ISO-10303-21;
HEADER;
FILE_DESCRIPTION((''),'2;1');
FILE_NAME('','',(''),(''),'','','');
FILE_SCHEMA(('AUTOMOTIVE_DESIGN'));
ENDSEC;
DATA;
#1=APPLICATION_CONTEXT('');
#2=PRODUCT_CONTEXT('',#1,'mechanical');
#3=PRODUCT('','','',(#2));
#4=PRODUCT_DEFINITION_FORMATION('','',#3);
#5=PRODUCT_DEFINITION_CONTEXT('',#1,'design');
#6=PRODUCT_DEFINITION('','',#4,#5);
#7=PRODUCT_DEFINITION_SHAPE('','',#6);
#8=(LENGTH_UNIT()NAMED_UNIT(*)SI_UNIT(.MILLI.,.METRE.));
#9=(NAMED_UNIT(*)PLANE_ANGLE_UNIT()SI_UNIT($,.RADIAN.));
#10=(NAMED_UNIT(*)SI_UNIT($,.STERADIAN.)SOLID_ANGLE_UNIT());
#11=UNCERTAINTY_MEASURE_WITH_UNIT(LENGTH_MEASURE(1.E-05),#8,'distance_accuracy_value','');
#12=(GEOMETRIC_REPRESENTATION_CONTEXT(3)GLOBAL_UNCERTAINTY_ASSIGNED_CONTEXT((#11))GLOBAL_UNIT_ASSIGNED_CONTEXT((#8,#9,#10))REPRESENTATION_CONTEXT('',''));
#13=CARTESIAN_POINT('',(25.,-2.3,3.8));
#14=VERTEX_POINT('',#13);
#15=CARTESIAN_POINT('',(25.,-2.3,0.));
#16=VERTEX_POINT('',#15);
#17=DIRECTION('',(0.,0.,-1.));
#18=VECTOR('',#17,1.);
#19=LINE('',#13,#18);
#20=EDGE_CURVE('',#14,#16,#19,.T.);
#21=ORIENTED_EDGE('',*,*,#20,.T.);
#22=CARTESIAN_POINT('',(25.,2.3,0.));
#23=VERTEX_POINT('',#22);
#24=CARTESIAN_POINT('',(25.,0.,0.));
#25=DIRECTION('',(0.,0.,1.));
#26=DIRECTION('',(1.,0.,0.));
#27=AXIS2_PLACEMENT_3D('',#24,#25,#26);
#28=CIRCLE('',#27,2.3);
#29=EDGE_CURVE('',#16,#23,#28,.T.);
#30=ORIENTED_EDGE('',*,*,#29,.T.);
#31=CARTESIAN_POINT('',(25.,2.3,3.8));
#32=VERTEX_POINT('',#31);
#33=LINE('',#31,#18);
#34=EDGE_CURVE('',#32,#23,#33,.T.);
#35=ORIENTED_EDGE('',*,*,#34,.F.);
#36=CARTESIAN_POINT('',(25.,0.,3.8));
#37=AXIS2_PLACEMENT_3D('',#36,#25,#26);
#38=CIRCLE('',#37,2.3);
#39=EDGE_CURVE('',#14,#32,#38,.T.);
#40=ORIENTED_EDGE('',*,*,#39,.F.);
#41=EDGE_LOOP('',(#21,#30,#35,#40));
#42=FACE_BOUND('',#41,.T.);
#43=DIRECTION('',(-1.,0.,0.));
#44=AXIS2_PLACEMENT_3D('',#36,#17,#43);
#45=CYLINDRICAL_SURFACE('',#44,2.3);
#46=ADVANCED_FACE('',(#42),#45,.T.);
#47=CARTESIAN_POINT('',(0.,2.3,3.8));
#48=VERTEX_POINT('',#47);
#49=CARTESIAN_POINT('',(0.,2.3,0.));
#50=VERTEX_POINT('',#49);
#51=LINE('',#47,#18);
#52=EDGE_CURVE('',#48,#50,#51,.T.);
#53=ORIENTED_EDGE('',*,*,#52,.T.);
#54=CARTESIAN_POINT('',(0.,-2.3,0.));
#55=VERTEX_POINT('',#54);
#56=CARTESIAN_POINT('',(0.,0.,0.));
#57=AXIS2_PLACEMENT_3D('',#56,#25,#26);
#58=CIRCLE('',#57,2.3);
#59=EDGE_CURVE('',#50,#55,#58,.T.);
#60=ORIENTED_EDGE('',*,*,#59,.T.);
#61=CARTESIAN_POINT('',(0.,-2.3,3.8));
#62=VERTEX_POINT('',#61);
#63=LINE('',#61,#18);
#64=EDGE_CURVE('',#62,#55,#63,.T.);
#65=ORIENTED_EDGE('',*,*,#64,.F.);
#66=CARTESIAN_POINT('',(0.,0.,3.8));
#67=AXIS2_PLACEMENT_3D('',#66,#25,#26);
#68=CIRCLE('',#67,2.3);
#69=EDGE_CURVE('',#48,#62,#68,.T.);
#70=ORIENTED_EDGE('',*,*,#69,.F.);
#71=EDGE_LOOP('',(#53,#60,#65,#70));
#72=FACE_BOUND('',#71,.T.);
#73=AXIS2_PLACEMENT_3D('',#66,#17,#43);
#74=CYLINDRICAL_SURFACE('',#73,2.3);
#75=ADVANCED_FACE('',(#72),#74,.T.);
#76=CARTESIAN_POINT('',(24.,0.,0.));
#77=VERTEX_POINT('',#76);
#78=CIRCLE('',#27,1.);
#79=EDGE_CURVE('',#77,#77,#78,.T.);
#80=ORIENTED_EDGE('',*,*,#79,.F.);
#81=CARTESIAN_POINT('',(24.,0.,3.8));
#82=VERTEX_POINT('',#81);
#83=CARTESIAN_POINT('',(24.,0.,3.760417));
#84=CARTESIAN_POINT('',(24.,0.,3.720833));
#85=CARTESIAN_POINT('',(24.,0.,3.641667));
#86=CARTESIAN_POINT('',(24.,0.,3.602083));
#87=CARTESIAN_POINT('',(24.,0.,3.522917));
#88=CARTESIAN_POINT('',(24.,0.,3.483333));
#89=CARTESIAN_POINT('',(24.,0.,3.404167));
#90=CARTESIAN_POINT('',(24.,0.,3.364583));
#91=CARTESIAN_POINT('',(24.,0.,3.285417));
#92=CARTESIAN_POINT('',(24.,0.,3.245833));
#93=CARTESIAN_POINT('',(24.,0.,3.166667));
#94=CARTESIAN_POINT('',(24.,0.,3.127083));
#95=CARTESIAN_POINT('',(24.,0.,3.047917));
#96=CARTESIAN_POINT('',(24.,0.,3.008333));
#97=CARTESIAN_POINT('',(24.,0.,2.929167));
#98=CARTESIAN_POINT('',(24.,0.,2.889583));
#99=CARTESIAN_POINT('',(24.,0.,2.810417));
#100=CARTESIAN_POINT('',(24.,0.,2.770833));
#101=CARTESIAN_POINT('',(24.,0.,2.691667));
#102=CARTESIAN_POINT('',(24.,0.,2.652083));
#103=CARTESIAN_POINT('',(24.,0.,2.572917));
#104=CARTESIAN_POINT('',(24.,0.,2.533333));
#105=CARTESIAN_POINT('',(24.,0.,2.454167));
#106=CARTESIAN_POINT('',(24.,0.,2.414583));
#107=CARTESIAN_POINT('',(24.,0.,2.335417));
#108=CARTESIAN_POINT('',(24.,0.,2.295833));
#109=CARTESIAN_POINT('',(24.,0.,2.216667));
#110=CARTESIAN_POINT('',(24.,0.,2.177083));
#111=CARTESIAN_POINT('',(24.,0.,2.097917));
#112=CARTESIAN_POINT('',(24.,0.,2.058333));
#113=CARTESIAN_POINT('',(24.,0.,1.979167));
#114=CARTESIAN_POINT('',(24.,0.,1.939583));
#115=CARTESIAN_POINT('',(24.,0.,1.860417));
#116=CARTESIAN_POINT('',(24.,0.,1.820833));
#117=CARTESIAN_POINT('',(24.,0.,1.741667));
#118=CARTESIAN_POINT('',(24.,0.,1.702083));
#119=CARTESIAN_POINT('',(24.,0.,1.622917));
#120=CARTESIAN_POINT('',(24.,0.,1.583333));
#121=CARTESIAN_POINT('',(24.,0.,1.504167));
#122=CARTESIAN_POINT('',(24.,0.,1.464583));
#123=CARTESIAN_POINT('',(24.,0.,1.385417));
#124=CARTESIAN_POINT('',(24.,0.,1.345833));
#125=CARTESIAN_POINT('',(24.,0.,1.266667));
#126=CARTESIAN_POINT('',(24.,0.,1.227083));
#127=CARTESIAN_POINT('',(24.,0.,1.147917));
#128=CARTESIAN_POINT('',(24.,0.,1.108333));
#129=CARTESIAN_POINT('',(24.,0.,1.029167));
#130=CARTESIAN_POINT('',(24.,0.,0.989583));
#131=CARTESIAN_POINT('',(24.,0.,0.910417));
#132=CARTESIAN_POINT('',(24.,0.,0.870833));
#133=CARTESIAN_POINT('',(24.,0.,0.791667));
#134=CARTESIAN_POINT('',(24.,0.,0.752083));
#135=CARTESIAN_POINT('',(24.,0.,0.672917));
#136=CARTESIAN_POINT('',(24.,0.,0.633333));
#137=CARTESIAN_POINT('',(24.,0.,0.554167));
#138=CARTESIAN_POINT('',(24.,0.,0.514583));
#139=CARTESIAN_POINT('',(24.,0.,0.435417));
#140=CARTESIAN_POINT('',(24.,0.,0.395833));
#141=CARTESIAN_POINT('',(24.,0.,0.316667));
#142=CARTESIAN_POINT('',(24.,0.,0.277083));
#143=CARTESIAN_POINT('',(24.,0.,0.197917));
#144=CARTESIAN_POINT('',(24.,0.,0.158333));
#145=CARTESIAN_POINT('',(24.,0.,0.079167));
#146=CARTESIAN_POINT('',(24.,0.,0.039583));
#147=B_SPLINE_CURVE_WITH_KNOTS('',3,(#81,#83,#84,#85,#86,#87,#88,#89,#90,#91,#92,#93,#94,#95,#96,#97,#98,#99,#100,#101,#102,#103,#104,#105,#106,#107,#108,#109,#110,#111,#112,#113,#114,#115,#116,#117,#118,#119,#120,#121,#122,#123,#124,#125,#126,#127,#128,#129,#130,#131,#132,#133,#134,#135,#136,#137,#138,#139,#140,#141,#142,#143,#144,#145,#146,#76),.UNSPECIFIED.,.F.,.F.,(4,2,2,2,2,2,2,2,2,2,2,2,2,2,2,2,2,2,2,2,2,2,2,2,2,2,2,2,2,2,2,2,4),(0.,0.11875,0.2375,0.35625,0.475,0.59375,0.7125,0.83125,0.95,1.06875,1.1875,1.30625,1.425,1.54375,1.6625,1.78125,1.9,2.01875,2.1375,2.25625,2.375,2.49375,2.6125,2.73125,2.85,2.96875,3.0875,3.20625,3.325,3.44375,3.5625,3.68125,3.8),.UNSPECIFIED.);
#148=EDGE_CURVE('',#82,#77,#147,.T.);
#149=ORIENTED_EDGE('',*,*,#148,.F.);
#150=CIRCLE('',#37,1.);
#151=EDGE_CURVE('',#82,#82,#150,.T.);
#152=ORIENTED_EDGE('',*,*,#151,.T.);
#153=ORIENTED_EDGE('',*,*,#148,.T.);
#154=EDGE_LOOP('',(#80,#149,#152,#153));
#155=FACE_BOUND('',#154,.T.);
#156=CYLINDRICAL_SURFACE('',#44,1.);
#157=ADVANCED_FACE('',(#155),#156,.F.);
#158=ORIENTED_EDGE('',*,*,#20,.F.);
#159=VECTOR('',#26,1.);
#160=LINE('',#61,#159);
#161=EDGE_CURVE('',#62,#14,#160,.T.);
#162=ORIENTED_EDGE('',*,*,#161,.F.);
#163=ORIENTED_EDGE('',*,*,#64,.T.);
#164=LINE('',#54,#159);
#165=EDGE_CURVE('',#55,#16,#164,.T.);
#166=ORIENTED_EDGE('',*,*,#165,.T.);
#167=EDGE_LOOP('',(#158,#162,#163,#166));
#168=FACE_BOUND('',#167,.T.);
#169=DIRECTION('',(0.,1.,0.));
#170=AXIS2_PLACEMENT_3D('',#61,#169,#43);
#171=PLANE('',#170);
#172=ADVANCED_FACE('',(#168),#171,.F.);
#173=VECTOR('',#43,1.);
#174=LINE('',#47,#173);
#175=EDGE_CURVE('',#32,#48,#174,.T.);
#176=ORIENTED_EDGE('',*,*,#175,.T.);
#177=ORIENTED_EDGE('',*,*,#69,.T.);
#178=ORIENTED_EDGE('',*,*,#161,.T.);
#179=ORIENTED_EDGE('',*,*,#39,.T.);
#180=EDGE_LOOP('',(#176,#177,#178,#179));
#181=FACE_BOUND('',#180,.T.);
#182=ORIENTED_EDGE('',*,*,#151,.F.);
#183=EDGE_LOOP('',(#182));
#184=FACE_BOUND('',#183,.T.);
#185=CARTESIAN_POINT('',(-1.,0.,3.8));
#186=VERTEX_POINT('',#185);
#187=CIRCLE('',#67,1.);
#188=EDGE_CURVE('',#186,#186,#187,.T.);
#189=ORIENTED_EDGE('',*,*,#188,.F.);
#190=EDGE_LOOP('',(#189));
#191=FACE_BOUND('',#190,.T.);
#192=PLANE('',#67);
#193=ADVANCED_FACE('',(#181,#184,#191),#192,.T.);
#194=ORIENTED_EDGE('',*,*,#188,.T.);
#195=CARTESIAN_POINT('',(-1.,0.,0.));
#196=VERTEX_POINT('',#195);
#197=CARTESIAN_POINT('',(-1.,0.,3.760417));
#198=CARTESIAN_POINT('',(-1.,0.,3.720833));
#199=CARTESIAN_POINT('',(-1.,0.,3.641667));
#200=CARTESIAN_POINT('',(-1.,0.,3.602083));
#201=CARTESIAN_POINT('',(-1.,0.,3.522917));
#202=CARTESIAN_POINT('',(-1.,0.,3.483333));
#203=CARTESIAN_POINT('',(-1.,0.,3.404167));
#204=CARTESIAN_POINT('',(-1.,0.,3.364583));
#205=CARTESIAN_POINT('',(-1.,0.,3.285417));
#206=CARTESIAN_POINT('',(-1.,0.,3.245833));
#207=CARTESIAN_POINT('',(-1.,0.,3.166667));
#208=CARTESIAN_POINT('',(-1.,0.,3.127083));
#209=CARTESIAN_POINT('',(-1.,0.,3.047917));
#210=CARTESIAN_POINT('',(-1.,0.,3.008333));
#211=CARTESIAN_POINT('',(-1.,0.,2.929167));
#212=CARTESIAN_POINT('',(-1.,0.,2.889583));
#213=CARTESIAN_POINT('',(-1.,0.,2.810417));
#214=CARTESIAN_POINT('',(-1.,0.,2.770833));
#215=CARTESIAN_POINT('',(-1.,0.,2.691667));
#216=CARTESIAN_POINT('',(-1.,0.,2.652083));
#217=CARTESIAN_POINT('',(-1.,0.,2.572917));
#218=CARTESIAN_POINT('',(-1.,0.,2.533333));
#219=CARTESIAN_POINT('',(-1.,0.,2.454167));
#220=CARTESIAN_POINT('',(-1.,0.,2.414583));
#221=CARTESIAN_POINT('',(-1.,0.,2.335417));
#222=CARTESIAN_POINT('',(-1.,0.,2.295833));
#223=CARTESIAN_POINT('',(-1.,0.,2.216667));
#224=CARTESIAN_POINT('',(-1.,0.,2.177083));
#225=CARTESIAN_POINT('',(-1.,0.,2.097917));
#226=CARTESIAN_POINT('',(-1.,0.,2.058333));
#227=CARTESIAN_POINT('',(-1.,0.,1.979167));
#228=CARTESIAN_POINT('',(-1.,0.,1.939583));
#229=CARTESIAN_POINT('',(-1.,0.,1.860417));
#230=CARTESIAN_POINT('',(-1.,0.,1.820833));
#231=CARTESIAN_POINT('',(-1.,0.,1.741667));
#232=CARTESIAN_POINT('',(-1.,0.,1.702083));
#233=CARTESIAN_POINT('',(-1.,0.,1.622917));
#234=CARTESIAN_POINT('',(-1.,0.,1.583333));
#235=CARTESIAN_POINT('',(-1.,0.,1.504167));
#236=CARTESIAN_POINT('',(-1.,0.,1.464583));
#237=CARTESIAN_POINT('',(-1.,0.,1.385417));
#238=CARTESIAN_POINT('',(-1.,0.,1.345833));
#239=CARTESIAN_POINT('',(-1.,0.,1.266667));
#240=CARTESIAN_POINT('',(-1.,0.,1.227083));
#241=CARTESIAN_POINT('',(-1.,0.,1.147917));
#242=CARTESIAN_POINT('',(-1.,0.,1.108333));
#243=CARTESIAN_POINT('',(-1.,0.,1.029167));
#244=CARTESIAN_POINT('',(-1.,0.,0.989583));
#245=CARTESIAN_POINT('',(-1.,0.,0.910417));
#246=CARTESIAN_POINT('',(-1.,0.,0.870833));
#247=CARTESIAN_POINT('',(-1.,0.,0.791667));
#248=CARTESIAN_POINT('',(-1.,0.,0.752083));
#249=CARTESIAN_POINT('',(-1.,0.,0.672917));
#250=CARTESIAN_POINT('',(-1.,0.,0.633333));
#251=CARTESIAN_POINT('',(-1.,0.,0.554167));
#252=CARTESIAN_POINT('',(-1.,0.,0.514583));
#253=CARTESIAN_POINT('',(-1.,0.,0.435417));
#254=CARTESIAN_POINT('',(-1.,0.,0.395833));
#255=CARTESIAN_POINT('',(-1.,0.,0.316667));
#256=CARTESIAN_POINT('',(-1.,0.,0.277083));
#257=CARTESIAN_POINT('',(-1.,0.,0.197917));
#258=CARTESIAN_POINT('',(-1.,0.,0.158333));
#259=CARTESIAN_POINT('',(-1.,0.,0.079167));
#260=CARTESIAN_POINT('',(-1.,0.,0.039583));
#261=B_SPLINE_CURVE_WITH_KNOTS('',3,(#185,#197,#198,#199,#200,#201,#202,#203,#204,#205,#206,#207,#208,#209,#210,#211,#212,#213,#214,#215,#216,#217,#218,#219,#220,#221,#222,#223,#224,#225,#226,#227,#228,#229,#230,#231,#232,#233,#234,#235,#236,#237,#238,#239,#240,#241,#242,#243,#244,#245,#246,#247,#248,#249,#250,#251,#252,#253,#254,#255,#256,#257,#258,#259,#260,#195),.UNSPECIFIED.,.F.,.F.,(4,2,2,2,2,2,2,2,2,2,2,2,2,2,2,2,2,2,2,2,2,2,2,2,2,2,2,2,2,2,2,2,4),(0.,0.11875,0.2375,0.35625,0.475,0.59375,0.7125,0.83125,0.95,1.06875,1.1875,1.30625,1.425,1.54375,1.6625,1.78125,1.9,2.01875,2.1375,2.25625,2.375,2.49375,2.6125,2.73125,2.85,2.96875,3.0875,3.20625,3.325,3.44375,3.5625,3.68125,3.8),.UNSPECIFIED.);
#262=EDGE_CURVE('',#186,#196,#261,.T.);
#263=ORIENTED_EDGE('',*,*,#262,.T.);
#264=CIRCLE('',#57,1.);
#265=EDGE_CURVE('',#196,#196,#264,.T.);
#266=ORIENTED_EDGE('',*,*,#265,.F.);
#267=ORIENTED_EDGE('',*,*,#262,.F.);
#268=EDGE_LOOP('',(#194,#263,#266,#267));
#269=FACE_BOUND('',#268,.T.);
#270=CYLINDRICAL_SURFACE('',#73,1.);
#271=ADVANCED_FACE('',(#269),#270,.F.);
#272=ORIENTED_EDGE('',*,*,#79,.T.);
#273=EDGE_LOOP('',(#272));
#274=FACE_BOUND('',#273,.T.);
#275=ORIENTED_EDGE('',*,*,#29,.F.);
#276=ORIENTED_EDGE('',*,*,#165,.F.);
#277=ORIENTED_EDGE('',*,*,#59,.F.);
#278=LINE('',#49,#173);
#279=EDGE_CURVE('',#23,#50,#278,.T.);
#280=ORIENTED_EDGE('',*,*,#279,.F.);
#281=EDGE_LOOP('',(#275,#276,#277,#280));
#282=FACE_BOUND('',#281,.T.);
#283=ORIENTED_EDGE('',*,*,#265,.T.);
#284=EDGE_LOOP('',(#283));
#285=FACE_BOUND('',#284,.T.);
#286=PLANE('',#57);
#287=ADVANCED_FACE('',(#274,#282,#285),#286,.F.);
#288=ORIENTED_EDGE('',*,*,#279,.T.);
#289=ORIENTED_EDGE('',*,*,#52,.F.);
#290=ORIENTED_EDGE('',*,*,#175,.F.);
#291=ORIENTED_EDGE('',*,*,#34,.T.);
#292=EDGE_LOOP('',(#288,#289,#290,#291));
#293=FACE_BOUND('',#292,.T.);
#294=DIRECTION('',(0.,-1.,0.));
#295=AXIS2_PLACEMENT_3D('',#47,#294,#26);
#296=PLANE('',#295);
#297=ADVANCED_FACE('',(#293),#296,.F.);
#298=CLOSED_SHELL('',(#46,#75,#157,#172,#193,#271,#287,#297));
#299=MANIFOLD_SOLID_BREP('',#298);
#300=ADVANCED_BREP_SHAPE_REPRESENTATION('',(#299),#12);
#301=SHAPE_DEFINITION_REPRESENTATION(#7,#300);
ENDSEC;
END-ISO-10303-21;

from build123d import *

# Parameters (mm, degrees)
SKETCH1_R           = 1
BOSS_EXTRUDE1_DEPTH = 3.8


with BuildPart() as part:
    # Sketch1 → Boss-Extrude1 (new body)
    with BuildSketch(Plane.XY):
        with BuildLine():
            Line((0, 2.3), (25, 2.3))
            ThreePointArc((25, 2.3), (27.3, 0), (25, -2.3))
            Line((25, -2.3), (0, -2.3))
            ThreePointArc((0, -2.3), (-2.3, 0), (0, 2.3))
        make_face()
        with Locations(Location((0, 0, 0), (0, 0, 180))):
            Circle(SKETCH1_R, mode=Mode.SUBTRACT)
        with Locations(Location((25, 0, 0), (0, 0, 180))):
            Circle(SKETCH1_R, mode=Mode.SUBTRACT)
    extrude(amount=BOSS_EXTRUDE1_DEPTH)


solid = part.part
